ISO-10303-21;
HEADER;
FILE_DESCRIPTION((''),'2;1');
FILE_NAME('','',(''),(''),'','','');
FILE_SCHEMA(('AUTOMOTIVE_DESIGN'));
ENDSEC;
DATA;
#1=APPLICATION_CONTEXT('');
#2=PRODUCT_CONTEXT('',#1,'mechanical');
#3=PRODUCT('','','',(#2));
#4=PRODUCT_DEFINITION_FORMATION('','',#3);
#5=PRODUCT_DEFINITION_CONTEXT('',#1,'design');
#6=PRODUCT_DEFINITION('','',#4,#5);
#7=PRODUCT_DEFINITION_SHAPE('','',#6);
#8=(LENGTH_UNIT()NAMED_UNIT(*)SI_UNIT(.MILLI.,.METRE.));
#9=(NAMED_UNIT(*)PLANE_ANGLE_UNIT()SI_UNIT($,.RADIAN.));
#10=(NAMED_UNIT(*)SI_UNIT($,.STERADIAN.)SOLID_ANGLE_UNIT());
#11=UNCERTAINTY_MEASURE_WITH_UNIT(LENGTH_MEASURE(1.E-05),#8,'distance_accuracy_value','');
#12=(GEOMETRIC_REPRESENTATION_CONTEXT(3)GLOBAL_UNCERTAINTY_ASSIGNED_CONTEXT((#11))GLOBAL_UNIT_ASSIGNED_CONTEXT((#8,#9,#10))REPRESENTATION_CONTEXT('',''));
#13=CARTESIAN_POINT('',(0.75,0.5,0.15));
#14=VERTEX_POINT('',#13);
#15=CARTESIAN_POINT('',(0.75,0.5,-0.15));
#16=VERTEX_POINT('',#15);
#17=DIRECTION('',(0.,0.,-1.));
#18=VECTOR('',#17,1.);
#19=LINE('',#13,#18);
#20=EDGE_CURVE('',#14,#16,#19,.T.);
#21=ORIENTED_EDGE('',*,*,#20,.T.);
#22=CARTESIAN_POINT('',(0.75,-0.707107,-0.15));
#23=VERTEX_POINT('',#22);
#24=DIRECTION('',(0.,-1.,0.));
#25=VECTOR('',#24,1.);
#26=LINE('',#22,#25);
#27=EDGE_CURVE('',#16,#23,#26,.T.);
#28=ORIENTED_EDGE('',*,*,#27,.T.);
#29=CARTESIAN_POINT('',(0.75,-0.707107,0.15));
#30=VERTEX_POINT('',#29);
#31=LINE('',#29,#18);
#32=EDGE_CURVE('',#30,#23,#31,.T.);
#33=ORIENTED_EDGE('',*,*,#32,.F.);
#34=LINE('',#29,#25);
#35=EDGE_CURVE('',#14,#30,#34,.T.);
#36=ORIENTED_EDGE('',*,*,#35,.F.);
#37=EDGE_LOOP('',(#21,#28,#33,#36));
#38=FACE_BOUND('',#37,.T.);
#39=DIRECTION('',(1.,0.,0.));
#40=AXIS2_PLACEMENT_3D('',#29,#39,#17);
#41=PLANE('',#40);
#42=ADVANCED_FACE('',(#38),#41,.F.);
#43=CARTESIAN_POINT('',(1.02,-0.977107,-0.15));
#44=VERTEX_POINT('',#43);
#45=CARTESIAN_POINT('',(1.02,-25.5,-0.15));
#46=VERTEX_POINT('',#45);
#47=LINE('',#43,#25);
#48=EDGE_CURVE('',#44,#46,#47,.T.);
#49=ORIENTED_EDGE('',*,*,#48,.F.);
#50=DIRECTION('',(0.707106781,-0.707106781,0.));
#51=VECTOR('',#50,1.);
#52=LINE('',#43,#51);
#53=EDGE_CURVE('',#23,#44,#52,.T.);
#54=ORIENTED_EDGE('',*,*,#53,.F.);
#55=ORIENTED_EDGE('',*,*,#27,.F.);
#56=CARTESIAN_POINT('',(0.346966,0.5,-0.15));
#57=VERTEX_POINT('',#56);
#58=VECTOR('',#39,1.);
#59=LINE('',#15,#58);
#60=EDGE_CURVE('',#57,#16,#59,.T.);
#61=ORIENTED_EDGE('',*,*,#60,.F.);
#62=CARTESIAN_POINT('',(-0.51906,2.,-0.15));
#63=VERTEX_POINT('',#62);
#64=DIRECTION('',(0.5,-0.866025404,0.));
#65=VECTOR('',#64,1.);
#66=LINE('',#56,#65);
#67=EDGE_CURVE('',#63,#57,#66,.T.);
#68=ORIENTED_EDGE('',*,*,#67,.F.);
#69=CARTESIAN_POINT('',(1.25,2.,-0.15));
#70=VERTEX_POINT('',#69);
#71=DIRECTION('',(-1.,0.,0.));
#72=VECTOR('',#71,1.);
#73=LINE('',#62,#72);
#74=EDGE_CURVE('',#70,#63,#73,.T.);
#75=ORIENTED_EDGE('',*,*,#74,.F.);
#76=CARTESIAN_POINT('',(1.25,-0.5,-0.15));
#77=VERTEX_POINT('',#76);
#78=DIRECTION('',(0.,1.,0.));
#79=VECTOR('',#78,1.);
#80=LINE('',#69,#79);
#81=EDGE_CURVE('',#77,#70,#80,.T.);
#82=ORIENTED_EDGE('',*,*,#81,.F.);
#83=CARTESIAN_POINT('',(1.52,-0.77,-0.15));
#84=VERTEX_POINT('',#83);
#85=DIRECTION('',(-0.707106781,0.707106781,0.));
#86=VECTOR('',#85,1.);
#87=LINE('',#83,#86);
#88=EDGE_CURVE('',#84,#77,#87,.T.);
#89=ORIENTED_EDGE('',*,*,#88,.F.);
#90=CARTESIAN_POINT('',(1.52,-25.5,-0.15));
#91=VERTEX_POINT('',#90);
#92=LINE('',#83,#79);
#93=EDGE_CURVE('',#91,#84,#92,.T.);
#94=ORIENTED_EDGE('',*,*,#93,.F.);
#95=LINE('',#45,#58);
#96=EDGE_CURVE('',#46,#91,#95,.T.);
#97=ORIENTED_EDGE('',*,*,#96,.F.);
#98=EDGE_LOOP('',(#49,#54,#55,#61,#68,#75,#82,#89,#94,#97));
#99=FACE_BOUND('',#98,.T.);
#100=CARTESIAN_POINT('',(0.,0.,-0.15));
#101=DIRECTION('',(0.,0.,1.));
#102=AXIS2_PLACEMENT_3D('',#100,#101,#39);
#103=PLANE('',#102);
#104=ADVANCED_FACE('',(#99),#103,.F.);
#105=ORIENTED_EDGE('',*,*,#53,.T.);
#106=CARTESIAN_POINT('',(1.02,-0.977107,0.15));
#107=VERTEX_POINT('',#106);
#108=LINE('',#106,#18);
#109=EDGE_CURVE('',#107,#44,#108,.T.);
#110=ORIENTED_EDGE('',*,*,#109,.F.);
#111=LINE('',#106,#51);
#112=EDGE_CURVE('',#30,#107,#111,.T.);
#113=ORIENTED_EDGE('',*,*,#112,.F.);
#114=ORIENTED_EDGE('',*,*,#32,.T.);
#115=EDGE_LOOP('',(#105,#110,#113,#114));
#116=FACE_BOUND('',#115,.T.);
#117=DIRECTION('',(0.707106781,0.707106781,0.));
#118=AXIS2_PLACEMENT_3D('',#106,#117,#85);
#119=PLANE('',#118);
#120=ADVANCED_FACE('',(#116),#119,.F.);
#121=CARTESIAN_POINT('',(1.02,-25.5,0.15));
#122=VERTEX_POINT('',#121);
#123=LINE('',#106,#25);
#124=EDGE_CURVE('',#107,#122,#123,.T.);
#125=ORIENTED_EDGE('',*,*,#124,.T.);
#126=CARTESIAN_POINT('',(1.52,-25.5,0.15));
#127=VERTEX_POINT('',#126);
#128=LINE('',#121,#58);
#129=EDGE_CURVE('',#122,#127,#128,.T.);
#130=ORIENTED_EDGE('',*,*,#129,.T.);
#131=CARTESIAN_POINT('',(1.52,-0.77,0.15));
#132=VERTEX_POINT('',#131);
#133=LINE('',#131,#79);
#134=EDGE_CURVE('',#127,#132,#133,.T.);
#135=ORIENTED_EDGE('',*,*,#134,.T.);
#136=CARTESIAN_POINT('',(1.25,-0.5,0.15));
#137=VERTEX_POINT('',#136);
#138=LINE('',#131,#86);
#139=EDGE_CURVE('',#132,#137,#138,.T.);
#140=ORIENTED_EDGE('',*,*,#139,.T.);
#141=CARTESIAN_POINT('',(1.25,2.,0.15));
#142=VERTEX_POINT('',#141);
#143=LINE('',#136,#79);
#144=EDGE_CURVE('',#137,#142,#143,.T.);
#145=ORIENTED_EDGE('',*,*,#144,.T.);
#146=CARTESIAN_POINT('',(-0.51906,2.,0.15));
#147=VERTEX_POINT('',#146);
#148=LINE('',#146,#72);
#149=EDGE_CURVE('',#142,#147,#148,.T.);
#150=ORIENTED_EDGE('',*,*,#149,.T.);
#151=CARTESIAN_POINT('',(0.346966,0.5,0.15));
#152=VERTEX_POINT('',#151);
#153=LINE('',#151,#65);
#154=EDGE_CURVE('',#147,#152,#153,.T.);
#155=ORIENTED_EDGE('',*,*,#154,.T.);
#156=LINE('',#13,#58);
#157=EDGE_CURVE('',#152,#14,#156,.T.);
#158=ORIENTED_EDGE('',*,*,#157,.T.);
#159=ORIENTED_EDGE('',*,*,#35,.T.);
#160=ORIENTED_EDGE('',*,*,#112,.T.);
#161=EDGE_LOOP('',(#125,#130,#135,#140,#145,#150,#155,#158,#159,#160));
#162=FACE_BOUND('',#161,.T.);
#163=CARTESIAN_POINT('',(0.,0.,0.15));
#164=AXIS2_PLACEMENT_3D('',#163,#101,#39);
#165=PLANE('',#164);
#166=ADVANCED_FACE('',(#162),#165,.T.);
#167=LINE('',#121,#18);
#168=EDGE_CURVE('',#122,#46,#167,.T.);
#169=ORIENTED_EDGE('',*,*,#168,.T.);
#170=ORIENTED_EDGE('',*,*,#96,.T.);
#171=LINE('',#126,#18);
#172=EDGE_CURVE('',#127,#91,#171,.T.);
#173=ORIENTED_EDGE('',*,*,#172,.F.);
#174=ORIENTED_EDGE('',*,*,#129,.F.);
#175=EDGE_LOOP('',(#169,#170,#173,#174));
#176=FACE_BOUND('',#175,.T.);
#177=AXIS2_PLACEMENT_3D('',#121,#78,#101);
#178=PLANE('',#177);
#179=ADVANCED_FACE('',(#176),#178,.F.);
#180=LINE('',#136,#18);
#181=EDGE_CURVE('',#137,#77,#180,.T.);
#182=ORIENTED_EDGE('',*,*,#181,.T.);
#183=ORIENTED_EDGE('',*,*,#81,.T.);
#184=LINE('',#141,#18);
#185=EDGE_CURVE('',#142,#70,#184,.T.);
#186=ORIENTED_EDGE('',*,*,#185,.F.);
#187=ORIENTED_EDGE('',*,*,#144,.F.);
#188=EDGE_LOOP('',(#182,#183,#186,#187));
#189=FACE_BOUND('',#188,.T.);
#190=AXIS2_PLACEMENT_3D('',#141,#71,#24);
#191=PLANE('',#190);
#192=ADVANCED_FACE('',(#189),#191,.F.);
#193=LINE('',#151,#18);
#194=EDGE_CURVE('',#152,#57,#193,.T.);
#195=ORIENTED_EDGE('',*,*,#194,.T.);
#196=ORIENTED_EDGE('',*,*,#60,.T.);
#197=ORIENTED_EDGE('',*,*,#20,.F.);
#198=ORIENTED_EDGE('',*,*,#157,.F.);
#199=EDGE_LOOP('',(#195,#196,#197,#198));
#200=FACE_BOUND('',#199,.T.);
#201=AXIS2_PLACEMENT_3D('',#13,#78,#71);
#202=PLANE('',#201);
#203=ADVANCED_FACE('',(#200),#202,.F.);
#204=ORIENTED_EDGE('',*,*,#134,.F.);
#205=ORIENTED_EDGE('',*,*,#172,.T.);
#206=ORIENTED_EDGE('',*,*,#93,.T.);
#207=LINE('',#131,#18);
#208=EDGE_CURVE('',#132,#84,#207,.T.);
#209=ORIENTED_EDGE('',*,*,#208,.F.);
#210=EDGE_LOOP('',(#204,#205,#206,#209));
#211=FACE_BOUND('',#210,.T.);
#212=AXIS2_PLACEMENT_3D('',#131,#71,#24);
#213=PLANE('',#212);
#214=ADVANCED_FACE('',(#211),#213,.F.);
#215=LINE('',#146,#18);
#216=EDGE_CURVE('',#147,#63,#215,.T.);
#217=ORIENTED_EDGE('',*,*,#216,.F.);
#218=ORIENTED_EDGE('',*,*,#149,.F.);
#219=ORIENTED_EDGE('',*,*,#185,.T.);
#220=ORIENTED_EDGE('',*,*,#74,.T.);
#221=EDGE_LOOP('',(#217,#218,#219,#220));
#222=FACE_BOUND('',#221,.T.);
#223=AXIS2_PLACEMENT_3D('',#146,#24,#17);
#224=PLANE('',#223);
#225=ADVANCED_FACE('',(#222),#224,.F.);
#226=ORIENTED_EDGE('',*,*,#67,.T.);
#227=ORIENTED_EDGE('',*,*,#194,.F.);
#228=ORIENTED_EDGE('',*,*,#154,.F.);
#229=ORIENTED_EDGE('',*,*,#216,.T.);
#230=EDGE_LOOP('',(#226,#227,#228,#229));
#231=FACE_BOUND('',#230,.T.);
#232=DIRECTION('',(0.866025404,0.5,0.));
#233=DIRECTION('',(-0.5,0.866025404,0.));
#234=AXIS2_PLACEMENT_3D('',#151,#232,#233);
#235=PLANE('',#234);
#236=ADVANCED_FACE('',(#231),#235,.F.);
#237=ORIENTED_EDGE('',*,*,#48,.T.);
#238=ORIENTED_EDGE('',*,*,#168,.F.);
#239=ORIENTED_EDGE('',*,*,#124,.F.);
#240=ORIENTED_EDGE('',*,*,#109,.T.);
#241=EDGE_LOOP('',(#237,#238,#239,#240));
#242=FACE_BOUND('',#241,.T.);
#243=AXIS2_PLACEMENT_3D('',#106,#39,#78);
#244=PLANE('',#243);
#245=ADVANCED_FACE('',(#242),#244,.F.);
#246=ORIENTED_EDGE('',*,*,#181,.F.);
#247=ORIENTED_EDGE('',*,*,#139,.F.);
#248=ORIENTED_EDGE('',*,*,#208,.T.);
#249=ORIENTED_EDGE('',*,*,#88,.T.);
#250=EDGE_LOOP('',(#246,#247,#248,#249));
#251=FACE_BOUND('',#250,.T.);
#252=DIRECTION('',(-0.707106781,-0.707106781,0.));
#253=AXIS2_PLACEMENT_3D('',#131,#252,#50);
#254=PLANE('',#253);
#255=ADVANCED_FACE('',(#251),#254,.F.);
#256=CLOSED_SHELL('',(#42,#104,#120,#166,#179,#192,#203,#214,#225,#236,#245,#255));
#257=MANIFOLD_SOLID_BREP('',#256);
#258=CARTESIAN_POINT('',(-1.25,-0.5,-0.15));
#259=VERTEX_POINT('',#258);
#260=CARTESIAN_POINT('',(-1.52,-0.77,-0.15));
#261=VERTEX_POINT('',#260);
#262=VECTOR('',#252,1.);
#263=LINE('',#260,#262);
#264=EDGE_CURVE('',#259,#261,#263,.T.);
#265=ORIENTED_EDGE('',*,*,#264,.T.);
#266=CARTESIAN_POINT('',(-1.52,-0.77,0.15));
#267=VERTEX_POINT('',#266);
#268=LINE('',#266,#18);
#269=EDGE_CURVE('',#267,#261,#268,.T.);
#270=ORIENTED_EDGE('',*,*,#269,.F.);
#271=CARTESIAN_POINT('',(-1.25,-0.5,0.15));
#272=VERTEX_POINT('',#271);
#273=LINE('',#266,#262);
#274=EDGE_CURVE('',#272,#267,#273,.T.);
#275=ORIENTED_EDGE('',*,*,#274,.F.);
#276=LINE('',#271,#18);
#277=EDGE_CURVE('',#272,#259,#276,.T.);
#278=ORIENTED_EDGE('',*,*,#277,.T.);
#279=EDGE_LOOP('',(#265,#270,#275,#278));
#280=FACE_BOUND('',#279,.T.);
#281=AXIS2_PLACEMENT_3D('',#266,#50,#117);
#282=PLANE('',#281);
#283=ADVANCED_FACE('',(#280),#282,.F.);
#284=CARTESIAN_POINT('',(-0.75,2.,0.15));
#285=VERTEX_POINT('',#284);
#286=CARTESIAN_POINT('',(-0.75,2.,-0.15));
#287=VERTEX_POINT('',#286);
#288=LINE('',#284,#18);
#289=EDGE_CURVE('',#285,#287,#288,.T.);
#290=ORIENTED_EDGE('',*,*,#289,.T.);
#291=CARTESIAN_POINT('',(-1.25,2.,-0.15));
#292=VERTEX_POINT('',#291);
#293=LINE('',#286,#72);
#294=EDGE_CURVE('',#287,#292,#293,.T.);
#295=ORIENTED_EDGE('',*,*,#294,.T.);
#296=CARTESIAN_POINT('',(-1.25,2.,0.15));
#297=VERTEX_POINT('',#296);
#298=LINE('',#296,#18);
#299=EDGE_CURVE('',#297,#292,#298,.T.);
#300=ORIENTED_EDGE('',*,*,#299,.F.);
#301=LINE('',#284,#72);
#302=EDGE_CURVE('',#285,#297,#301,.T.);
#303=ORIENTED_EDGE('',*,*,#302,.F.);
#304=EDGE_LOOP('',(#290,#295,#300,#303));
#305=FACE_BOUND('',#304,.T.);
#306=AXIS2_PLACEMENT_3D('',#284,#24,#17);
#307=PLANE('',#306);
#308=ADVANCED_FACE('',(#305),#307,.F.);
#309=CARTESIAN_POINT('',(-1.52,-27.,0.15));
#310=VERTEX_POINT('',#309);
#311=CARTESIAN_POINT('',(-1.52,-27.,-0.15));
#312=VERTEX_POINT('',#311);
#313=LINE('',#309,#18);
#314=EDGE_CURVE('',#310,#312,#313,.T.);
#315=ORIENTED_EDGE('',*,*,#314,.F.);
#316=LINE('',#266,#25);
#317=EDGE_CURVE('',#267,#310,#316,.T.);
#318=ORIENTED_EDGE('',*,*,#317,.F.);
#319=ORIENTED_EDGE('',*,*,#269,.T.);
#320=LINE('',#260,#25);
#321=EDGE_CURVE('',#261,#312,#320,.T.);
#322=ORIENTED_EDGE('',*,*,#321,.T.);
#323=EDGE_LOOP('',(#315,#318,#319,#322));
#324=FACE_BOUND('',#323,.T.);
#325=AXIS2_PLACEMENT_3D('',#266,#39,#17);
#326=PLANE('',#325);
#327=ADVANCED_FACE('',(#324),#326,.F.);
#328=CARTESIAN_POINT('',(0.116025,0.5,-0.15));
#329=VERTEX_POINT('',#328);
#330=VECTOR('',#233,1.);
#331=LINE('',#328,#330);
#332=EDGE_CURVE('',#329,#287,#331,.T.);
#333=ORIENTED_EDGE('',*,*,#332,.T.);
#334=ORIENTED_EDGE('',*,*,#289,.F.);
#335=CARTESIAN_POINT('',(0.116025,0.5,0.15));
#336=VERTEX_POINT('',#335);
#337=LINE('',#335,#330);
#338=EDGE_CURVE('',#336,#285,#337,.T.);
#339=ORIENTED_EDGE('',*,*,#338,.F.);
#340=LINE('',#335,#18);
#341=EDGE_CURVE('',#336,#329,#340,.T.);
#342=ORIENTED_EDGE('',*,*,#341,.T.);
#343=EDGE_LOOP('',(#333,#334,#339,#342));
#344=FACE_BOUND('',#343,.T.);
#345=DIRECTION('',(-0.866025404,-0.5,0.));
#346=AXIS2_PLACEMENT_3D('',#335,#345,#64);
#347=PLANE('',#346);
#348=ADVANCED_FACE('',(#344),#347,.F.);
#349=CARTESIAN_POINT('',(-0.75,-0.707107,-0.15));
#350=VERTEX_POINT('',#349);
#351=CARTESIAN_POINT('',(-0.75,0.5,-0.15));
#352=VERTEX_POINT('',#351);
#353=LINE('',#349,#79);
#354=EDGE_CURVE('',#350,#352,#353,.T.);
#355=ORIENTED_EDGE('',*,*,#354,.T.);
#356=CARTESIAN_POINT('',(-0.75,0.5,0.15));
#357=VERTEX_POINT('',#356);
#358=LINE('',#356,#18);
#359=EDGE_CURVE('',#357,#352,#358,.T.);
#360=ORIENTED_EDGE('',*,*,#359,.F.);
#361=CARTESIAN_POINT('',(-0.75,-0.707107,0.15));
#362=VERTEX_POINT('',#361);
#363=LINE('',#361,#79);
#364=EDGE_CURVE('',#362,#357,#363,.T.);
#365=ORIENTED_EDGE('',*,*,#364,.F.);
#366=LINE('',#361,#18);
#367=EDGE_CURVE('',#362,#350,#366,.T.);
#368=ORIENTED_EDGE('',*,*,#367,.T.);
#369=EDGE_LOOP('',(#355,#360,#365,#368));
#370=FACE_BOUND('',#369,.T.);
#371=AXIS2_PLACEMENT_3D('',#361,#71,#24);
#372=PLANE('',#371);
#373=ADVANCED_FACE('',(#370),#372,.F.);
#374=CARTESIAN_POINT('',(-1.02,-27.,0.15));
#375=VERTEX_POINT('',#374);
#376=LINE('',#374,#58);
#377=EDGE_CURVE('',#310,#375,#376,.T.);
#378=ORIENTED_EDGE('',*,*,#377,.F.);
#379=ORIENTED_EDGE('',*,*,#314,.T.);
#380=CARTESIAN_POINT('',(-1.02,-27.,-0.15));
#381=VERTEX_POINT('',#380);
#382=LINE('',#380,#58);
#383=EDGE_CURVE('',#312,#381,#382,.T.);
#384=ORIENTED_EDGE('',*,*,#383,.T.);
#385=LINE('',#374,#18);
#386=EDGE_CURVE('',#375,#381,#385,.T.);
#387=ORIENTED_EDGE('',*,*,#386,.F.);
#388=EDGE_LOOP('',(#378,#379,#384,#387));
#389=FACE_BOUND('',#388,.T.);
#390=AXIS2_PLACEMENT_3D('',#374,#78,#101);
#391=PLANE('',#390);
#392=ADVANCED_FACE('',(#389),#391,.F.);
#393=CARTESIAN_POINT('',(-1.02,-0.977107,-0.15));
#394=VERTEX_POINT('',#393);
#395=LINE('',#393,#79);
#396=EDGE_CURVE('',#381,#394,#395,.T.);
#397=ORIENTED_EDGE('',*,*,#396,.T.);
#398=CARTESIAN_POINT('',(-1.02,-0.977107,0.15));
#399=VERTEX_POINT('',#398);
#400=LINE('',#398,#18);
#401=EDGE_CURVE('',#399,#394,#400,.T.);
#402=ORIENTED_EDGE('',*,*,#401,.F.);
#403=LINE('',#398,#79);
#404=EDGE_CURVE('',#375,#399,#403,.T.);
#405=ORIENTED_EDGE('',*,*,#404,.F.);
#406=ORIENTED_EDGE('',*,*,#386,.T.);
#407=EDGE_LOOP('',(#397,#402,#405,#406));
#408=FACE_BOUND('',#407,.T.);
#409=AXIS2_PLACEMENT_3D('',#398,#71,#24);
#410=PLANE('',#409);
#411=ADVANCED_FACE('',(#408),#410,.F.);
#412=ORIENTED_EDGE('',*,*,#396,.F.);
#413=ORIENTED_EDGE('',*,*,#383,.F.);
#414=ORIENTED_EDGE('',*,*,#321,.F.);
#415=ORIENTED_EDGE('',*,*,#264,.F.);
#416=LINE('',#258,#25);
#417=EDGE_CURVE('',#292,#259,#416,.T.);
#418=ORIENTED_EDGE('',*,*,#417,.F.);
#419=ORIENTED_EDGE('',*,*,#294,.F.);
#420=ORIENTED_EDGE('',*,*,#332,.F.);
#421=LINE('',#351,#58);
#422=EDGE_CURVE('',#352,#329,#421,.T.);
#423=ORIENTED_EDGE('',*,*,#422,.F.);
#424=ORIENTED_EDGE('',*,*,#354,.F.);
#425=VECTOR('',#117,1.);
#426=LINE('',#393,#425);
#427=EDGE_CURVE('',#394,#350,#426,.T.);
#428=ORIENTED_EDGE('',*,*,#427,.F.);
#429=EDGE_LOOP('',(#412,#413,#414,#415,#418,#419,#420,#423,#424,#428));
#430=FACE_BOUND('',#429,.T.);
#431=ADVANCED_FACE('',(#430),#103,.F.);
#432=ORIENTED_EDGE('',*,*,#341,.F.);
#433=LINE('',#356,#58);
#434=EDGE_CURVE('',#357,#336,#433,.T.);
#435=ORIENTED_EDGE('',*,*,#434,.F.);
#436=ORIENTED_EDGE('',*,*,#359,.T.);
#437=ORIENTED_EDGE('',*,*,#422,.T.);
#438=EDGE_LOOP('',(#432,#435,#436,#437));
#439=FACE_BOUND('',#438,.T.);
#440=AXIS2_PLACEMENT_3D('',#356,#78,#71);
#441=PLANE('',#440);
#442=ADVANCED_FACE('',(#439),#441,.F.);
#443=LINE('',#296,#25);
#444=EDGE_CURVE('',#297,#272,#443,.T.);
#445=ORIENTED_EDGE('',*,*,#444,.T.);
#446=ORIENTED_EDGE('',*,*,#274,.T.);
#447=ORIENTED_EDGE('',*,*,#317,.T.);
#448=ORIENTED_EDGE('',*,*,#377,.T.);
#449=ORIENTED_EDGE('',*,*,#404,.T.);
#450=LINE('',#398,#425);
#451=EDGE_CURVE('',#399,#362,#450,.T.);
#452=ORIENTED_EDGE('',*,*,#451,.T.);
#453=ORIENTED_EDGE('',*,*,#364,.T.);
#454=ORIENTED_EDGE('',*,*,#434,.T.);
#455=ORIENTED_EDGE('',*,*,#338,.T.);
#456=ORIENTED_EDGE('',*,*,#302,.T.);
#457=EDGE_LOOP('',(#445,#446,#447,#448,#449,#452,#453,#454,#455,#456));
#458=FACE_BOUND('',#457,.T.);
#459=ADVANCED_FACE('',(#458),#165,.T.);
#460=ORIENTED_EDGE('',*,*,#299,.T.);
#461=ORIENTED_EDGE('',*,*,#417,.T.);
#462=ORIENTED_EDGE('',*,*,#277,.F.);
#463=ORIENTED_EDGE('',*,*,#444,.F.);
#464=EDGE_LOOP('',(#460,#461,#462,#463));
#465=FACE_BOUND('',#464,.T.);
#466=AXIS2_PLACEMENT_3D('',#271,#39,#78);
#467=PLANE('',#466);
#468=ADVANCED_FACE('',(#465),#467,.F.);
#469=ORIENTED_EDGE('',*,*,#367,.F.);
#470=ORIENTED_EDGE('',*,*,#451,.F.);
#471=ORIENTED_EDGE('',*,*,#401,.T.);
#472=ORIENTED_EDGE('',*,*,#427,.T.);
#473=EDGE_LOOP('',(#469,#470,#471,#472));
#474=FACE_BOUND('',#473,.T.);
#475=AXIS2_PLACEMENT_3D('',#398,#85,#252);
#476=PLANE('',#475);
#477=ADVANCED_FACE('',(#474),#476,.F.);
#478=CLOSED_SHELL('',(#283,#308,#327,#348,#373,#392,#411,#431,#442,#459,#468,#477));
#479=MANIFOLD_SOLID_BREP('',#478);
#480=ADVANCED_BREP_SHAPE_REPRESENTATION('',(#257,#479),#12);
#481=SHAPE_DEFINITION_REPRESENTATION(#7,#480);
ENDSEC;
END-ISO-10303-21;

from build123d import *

# Parameters (mm, degrees)
BOSS_EXTRUDE1_DEPTH   = 0.15
BOSS_EXTRUDE1_2_DEPTH = 0.15


with BuildPart() as part:
    # Sketch1 → Boss-Extrude1 (new, symmetric)
    with BuildSketch(Plane.XY):
        Polygon((1.02, -0.977106781), (1.02, -25.5), (1.52, -25.5), (1.52, -0.77), (1.25, -0.5), (1.25, 0.5), (1.25, 2), (-0.519059892, 2), (0.346965511, 0.5), (0.75, 0.5), (0.75, -0.707106781), align=None)
    extrude(amount=BOSS_EXTRUDE1_DEPTH, both=True)


with BuildPart() as body_2:
    # Sketch1 → Boss-Extrude1 2 (new, symmetric)
    with BuildSketch(Plane.XY):
        Polygon((-1.52, -0.77), (-1.25, -0.5), (-1.25, 0.5), (-1.25, 2), (-0.75, 2), (0.116025404, 0.5), (-0.75, 0.5), (-0.75, -0.707106781), (-1.02, -0.977106781), (-1.02, -27), (-1.52, -27), align=None)
    extrude(amount=BOSS_EXTRUDE1_2_DEPTH, both=True)


solid = Compound([part.part, body_2.part])
